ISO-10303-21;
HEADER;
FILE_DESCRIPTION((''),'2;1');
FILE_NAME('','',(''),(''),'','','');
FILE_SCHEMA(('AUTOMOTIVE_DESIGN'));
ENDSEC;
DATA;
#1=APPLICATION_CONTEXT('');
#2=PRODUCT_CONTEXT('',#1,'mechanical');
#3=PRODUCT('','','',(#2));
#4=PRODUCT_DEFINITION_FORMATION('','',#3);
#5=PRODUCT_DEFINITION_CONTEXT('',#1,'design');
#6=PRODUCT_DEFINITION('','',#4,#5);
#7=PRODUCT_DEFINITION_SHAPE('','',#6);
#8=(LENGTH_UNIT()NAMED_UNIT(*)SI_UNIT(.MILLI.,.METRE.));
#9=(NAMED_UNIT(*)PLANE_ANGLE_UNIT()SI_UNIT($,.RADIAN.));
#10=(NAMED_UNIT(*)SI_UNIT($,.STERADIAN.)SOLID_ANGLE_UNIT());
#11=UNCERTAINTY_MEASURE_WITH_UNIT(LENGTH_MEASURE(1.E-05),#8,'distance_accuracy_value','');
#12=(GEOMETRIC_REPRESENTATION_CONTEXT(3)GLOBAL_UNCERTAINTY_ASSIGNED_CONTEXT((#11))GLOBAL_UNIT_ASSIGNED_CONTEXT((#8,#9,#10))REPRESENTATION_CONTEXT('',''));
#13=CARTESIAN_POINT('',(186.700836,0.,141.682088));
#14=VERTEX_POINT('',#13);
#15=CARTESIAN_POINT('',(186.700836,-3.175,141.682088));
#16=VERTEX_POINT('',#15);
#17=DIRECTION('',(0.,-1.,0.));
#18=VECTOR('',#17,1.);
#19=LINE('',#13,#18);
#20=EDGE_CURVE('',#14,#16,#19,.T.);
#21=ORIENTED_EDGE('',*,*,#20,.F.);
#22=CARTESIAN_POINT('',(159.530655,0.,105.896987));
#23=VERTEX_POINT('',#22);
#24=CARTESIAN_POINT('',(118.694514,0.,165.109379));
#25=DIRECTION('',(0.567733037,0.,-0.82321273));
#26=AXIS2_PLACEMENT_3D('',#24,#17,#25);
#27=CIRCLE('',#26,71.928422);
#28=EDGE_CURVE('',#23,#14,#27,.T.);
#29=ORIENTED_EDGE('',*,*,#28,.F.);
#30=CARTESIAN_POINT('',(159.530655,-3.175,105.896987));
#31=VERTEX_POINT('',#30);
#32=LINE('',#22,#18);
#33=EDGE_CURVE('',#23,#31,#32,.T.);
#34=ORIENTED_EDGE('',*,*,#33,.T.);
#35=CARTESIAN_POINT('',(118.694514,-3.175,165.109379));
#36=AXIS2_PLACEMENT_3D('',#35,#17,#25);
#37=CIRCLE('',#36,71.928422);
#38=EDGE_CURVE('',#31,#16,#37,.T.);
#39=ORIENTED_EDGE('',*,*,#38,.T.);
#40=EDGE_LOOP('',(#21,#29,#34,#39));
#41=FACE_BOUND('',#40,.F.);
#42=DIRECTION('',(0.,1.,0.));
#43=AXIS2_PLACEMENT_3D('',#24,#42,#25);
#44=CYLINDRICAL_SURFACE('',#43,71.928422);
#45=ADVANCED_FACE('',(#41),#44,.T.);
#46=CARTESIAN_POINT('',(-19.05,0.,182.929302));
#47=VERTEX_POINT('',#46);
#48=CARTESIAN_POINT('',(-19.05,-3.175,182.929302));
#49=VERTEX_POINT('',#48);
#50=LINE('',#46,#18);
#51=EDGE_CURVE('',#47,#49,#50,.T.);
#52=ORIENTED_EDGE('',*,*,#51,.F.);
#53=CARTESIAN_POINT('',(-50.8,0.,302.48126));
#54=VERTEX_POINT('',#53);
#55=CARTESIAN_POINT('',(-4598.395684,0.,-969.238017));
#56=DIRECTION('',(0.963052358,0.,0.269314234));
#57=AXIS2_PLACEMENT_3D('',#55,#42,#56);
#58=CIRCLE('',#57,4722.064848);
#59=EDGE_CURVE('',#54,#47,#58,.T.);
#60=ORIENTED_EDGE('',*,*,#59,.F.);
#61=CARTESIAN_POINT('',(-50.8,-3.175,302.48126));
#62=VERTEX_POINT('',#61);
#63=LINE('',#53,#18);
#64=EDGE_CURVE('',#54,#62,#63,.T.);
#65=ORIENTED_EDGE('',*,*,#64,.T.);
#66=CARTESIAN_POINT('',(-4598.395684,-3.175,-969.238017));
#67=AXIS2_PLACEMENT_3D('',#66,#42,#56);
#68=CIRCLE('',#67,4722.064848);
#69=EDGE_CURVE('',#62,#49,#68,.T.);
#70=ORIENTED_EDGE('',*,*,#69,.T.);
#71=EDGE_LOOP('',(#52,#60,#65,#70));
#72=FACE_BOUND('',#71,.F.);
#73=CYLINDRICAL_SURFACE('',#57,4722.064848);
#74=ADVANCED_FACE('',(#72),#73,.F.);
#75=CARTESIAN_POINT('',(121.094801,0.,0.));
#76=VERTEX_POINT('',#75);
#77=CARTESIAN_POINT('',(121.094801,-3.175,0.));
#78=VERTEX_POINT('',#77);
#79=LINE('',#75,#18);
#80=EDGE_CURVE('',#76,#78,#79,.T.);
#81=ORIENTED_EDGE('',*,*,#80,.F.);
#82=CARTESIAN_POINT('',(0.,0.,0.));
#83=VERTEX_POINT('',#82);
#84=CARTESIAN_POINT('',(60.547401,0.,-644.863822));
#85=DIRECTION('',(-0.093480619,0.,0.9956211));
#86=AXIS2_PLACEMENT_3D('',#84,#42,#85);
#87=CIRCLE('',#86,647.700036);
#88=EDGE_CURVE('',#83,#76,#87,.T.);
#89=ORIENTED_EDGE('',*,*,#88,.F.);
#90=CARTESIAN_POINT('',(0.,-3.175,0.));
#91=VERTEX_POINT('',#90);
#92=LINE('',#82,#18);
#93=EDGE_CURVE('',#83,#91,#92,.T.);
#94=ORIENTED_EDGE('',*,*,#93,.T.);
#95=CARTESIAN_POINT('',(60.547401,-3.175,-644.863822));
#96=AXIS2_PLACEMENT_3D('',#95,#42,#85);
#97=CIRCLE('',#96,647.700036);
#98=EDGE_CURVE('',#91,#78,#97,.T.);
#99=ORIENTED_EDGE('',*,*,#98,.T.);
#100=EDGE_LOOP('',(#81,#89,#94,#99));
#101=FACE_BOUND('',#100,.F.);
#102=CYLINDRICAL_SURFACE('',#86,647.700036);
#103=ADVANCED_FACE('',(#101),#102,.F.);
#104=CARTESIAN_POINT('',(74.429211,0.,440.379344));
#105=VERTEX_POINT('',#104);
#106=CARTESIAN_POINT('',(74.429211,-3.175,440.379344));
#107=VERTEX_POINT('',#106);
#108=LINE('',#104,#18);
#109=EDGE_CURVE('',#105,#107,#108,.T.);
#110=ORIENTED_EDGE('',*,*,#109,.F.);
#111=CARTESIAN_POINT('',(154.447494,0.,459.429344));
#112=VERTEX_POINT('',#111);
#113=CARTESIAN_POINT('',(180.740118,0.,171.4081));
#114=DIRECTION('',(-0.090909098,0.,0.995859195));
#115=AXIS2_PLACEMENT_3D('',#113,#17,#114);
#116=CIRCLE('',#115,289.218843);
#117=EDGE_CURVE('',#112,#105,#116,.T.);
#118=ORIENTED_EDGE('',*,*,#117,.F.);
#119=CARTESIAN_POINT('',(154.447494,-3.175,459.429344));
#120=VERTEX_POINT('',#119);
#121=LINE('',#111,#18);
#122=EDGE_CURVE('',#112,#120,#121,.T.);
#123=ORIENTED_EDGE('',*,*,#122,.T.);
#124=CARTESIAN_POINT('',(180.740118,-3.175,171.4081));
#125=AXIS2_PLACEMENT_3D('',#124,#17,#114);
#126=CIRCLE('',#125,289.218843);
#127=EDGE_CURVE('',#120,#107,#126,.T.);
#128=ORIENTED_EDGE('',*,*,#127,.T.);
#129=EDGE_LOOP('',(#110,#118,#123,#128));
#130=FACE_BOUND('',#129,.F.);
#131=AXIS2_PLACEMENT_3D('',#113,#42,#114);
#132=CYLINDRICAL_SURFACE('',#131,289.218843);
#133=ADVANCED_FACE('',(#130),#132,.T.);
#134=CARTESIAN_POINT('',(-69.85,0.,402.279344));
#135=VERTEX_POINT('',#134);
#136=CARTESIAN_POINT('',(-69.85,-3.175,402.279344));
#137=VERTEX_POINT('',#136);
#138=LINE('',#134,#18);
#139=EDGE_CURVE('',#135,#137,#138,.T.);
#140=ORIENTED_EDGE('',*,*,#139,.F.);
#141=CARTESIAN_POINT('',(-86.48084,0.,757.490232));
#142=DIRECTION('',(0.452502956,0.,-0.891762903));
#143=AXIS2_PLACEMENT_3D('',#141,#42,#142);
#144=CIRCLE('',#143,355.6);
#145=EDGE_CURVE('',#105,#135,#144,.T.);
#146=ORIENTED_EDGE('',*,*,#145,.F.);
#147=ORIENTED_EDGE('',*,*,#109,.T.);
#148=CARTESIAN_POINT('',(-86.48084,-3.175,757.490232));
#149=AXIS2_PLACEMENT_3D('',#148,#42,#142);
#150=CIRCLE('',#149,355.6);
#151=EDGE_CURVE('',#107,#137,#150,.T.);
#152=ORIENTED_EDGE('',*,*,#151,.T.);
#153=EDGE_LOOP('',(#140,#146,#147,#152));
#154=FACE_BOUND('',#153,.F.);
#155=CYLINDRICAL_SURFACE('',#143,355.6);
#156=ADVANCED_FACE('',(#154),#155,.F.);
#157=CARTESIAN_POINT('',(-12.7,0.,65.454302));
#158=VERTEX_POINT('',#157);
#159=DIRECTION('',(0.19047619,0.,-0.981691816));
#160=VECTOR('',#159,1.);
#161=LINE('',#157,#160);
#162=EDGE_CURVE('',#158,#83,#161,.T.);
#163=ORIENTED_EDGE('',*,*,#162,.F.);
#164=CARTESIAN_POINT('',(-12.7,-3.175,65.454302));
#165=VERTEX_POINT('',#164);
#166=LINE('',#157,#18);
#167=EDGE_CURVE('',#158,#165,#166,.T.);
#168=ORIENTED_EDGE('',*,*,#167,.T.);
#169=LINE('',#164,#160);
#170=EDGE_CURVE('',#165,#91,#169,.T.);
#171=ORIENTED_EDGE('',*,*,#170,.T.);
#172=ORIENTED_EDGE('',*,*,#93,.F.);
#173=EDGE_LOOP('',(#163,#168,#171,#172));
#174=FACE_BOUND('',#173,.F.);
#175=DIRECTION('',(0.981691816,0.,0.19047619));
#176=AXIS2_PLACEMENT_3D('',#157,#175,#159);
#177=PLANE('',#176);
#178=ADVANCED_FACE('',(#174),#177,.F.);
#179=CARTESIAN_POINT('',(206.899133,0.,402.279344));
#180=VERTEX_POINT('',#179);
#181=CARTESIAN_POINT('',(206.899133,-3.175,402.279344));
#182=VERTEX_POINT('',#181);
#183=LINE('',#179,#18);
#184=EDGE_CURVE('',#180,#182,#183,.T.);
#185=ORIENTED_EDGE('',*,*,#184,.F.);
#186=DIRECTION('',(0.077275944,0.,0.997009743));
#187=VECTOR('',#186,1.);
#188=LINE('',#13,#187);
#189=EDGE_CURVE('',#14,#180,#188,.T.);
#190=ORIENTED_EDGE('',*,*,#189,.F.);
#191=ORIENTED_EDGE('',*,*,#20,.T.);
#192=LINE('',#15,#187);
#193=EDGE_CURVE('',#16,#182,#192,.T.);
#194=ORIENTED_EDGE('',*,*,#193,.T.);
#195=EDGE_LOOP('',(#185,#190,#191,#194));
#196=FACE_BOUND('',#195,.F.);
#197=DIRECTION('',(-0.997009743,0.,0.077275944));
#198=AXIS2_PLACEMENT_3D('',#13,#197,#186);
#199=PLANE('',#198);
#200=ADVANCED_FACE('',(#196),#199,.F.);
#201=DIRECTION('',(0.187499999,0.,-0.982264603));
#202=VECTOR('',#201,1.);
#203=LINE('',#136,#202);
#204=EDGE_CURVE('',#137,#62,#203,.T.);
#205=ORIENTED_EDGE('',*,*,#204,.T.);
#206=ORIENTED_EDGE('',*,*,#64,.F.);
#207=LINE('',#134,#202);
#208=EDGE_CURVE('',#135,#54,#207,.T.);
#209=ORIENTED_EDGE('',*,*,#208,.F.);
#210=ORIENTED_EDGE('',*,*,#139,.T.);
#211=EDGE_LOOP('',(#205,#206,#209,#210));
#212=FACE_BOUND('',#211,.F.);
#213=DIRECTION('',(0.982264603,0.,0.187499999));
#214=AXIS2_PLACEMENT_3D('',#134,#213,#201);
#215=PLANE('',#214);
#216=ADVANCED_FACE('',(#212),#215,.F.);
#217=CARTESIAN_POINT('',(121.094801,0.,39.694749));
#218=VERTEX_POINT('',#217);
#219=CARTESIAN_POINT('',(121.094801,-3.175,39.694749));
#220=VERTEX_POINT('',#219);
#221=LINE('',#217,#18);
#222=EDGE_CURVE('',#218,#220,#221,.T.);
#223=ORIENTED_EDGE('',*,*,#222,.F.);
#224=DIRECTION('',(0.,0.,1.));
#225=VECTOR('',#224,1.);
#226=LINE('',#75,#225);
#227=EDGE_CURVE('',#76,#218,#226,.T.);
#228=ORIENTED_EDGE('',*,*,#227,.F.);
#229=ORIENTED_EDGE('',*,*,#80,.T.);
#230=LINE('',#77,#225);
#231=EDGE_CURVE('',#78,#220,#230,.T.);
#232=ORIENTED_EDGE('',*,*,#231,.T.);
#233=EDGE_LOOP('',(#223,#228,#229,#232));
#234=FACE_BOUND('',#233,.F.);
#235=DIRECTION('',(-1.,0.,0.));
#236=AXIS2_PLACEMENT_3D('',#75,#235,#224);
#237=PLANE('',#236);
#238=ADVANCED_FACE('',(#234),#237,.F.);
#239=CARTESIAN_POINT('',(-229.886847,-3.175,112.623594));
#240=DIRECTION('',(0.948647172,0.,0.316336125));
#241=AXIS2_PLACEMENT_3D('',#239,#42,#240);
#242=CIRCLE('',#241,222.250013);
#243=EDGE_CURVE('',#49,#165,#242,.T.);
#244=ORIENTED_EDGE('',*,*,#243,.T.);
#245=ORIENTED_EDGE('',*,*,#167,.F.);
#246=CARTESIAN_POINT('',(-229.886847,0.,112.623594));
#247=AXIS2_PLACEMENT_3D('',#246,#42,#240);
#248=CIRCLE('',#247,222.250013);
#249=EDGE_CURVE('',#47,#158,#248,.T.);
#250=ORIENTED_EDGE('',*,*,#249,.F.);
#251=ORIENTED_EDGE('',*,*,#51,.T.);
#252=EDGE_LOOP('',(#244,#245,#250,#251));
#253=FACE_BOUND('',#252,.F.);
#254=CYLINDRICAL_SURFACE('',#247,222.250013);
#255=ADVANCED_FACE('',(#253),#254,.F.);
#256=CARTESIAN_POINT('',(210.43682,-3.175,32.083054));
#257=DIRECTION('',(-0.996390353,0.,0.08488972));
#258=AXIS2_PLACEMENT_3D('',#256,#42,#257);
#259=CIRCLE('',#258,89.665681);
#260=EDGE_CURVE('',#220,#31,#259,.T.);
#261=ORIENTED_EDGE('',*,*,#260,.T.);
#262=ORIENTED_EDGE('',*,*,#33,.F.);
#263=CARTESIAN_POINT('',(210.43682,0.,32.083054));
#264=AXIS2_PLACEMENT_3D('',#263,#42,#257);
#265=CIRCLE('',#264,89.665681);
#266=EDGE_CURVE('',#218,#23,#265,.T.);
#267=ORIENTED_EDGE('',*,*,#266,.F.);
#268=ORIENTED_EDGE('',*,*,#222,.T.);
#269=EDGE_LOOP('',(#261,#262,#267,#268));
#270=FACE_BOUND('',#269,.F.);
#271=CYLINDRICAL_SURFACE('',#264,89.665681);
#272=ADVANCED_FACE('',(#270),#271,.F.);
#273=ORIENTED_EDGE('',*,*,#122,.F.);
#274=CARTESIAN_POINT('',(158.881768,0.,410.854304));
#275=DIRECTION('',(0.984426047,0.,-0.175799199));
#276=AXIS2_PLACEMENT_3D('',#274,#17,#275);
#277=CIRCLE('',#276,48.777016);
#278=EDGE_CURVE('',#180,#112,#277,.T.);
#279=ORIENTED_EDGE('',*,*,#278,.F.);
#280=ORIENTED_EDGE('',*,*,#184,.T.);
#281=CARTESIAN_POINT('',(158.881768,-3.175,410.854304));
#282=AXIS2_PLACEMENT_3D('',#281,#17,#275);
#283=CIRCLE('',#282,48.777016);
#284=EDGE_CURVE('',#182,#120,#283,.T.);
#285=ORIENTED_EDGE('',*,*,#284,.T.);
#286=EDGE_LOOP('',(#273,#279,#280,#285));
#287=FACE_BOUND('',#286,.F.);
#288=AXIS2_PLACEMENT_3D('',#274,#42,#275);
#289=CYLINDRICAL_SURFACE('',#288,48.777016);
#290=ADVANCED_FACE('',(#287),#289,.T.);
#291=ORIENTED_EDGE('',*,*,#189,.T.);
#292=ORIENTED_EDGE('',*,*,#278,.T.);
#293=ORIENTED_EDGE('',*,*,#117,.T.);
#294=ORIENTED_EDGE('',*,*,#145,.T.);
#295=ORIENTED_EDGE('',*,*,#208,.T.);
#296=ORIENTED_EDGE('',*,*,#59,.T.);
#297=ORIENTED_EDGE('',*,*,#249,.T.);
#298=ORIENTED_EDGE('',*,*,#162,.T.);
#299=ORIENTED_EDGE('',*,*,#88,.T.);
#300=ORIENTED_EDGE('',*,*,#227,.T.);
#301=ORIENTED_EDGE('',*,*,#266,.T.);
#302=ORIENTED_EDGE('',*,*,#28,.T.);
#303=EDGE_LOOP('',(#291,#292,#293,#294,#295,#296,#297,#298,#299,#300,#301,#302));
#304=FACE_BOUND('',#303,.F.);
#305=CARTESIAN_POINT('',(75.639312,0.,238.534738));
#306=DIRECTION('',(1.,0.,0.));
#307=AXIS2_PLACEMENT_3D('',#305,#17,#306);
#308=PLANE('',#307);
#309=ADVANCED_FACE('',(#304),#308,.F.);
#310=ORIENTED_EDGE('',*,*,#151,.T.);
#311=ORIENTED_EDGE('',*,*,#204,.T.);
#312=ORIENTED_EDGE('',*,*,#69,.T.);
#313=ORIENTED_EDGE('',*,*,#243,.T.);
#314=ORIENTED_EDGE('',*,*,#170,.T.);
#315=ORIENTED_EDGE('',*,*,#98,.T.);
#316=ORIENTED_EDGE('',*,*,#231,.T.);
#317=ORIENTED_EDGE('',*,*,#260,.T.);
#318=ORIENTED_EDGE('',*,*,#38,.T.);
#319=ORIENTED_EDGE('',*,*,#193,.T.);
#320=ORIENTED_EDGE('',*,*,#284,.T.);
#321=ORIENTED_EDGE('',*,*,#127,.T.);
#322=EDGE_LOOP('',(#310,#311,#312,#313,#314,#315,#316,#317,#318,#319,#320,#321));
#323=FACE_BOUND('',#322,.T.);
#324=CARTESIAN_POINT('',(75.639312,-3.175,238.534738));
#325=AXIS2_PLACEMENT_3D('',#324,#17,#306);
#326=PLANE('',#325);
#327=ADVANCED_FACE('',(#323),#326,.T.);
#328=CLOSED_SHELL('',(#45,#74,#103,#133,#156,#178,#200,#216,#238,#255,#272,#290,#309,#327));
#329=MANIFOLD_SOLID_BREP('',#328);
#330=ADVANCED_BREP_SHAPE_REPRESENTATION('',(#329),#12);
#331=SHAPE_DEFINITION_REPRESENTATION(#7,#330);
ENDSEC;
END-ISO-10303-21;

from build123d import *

# Parameters (mm, degrees)
F1_DEPTH = 3.175


with BuildPart() as f1:
    # F0 (on Front) → F1 (new body)
    with BuildSketch(Plane.XZ):
        with BuildLine():
            ThreePointArc((0, 0), (60.5474, 2.836214), (121.094801, 0))
            Line((121.094801, 0), (121.094801, 39.694749))
            ThreePointArc((121.094801, 39.694749), (132.892817, 77.103737), (159.530655, 105.896987))
            ThreePointArc((159.530655, 105.896987), (175.981631, 121.613586), (186.700836, 141.682088))
            Line((186.700836, 141.682088), (206.899133, 402.279344))
            ThreePointArc((206.899133, 402.279344), (194.817851, 443.836045), (154.447494, 459.429344))
            ThreePointArc((154.447494, 459.429344), (113.757659, 452.76355), (74.429211, 440.379344))
            ThreePointArc((74.429211, 440.379344), (4.310649, 413.675943), (-69.85, 402.279344))
            Line((-69.85, 402.279344), (-50.8, 302.48126))
            ThreePointArc((-50.8, 302.48126), (-34.53352, 242.809248), (-19.05, 182.929302))
            ThreePointArc((-19.05, 182.929302), (-7.960813, 124.619596), (-12.7, 65.454302))
            Line((-12.7, 65.454302), (0, 0))
        make_face()
    extrude(amount=F1_DEPTH)


solid = f1.part
